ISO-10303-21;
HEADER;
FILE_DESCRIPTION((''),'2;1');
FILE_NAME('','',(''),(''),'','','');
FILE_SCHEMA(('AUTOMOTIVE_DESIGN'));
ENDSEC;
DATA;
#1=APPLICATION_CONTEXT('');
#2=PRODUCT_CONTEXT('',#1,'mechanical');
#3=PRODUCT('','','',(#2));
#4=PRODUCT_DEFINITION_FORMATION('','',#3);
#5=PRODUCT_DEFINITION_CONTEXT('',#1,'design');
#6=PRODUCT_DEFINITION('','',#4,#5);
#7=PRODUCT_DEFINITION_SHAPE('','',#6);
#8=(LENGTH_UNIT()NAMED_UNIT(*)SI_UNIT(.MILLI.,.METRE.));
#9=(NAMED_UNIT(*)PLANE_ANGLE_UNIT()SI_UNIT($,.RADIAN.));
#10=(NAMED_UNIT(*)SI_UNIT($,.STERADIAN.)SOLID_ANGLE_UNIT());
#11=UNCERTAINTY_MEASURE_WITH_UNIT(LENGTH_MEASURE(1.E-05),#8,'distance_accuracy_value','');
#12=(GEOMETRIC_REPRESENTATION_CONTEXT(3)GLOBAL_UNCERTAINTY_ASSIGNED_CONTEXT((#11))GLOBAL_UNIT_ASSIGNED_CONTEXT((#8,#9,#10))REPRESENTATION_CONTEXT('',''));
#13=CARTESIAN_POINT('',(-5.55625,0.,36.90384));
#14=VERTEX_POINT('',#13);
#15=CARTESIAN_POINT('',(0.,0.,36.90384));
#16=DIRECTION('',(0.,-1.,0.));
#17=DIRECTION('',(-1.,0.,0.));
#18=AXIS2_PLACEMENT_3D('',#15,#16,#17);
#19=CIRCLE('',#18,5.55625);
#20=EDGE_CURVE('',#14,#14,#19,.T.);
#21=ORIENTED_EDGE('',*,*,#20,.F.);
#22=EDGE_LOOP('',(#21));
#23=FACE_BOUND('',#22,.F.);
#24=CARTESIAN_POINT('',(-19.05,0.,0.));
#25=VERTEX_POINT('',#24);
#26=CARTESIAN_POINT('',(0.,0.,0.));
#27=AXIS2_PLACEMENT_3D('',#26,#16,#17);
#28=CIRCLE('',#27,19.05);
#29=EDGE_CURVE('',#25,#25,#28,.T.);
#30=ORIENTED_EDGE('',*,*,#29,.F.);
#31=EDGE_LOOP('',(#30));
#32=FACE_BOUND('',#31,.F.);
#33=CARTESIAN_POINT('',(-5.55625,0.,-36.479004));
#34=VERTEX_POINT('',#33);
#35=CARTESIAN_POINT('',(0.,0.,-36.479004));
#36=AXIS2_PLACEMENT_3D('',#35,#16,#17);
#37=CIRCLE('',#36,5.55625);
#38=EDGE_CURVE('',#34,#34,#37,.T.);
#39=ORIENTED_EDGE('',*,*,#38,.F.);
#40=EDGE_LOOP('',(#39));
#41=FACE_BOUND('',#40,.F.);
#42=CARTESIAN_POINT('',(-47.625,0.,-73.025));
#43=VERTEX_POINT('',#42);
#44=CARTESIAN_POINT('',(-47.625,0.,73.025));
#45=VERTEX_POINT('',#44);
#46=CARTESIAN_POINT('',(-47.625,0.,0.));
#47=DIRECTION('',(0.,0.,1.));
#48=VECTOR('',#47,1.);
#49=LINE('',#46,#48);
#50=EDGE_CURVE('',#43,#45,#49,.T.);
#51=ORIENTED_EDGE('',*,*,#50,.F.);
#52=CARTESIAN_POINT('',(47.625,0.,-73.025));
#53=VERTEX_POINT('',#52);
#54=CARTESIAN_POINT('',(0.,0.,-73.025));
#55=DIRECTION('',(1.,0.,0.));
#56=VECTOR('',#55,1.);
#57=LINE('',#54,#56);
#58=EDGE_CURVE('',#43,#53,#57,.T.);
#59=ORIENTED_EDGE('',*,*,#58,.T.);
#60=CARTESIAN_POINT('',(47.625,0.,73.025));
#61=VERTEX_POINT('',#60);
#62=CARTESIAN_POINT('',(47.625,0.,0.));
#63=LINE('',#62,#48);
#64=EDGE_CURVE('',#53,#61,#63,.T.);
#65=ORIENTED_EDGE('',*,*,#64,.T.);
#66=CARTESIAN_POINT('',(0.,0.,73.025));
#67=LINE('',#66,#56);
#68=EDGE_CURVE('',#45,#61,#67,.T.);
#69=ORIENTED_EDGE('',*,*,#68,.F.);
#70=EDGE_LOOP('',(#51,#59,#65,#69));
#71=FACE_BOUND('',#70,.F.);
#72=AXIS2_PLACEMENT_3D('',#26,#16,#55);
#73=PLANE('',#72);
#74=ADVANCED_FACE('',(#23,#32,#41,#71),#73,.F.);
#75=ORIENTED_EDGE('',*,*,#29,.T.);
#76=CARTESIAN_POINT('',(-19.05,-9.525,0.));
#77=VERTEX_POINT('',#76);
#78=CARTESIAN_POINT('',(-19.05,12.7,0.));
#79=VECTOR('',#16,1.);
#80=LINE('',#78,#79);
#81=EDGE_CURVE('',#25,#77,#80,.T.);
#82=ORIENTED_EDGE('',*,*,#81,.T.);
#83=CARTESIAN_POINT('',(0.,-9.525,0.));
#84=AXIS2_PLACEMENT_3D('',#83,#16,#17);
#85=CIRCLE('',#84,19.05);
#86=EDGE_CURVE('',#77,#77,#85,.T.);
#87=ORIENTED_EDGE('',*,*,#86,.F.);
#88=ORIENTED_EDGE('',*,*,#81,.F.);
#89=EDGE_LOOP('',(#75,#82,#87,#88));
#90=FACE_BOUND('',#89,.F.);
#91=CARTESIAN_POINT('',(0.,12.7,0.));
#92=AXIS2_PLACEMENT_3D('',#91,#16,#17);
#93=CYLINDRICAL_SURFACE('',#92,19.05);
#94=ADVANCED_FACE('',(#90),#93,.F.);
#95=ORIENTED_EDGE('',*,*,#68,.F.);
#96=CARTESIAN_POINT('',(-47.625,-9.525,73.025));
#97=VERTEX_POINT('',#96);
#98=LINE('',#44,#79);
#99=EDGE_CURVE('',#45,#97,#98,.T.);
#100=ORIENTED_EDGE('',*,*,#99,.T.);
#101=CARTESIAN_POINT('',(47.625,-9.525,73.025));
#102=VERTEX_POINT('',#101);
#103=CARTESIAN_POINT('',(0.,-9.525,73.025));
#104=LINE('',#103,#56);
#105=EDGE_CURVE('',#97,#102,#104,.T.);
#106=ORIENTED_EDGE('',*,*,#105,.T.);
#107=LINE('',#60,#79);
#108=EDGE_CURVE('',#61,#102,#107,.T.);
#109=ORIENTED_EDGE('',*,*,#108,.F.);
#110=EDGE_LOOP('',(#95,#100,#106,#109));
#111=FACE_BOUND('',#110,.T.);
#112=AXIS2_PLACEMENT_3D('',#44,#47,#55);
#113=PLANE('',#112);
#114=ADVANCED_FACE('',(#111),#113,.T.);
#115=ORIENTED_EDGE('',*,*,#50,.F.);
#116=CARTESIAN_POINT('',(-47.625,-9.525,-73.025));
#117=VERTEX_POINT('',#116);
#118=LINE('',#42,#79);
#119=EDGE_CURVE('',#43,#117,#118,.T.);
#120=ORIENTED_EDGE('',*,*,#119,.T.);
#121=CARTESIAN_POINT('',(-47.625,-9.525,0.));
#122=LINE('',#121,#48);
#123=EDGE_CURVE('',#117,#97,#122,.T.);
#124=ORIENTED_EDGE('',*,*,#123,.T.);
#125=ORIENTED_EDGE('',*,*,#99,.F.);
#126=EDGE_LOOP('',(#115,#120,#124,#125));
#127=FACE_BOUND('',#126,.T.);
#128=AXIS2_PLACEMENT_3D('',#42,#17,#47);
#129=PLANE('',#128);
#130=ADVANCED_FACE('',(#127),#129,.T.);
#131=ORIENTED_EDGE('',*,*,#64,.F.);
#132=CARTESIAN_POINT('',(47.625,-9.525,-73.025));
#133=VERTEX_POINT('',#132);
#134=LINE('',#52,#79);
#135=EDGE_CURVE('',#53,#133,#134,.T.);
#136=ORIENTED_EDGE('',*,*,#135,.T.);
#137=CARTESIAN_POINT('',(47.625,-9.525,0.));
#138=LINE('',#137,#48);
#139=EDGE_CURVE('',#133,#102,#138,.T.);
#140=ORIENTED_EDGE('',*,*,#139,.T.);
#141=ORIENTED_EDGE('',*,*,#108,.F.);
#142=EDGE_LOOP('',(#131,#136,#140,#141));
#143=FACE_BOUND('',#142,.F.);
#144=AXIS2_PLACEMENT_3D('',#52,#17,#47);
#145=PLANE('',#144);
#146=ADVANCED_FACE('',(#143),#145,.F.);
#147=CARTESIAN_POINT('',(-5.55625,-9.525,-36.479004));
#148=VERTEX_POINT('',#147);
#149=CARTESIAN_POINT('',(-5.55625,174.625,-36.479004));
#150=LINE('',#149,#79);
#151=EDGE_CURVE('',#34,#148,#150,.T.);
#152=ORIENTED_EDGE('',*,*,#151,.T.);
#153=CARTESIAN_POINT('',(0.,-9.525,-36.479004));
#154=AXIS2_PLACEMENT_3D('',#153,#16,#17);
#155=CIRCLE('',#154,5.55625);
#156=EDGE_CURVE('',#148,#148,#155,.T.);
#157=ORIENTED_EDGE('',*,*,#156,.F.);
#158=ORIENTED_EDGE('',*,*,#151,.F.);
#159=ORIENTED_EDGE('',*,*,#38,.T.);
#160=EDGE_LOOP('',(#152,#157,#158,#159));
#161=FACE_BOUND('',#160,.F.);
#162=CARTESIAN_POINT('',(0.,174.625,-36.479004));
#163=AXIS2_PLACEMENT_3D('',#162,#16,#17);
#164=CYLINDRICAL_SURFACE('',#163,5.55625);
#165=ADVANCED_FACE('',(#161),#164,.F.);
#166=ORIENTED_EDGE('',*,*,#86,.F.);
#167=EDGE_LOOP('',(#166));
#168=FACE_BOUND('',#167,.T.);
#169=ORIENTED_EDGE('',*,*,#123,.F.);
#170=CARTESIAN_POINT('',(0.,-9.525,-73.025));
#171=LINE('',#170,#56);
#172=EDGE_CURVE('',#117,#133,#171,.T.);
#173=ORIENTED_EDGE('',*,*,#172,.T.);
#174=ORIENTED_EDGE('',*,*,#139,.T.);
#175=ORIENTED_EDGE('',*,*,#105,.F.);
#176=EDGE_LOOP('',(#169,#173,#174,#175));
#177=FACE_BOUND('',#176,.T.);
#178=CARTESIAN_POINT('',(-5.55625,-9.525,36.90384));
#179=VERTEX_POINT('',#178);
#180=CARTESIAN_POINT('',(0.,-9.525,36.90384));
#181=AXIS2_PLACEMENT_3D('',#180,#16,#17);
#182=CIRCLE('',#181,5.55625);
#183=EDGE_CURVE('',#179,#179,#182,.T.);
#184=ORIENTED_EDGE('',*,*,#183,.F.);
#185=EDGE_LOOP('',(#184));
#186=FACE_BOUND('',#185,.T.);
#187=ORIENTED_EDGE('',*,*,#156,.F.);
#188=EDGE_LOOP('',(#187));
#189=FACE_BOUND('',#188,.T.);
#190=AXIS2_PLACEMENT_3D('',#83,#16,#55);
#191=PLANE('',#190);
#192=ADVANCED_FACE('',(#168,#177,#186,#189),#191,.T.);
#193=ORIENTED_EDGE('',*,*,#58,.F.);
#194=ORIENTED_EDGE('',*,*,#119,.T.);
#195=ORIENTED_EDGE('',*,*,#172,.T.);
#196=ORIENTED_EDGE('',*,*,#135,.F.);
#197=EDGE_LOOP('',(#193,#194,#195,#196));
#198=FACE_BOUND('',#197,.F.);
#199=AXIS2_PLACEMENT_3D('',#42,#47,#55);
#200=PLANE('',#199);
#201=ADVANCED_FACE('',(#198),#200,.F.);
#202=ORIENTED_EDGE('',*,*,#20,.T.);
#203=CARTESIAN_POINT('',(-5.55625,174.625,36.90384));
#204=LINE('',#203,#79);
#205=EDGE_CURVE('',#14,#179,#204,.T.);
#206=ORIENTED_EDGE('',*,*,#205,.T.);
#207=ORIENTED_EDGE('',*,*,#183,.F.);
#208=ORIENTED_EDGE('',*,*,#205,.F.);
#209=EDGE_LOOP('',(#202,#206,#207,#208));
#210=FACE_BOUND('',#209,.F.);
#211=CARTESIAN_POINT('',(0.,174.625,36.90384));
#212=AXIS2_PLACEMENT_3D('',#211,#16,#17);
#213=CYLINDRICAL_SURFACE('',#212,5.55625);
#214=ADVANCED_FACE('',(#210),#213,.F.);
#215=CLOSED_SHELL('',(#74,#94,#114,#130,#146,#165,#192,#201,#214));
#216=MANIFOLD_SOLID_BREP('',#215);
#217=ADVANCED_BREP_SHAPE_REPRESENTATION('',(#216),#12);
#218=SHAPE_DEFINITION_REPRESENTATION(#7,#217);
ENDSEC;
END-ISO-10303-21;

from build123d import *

# Parameters (mm, degrees)
F1_W     = 95.25
F1_H     = 146.05
F2_DEPTH = 9.525
F3_D     = 38.1
F3_DEPTH = 12.7
F3_TIP   = 11.4463947925
F4_D     = 11.1125
F5_D     = 11.1125


with BuildPart() as f2:
    # F1 (on Front) → F2 (new body)
    with BuildSketch(Plane.XZ):
        Rectangle(F1_W, F1_H)
    extrude(amount=F2_DEPTH)

    # F3
    with Locations(Plane(origin=(0, 0, 0), x_dir=(1, 0, 0), z_dir=(0, 1, 0))):
        with Locations((0, 0)):
            Hole(F3_D / 2, depth=F3_DEPTH)
            with Locations((0, 0, -(F3_DEPTH + F3_TIP / 2))):  # 118° drill point
                Cone(0, F3_D / 2, F3_TIP, mode=Mode.SUBTRACT)

    # F4 (through all)
    with Locations(Plane(origin=(0, 0, 0), x_dir=(1, 0, 0), z_dir=(0, 1, 0))):
        with Locations((0, -36.9038395584)):
            Hole(F4_D / 2)

    # F5 (through all)
    with Locations(Plane(origin=(0, 0, 0), x_dir=(1, 0, 0), z_dir=(0, 1, 0))):
        with Locations((0, 36.4790037274)):
            Hole(F5_D / 2)


solid = f2.part
